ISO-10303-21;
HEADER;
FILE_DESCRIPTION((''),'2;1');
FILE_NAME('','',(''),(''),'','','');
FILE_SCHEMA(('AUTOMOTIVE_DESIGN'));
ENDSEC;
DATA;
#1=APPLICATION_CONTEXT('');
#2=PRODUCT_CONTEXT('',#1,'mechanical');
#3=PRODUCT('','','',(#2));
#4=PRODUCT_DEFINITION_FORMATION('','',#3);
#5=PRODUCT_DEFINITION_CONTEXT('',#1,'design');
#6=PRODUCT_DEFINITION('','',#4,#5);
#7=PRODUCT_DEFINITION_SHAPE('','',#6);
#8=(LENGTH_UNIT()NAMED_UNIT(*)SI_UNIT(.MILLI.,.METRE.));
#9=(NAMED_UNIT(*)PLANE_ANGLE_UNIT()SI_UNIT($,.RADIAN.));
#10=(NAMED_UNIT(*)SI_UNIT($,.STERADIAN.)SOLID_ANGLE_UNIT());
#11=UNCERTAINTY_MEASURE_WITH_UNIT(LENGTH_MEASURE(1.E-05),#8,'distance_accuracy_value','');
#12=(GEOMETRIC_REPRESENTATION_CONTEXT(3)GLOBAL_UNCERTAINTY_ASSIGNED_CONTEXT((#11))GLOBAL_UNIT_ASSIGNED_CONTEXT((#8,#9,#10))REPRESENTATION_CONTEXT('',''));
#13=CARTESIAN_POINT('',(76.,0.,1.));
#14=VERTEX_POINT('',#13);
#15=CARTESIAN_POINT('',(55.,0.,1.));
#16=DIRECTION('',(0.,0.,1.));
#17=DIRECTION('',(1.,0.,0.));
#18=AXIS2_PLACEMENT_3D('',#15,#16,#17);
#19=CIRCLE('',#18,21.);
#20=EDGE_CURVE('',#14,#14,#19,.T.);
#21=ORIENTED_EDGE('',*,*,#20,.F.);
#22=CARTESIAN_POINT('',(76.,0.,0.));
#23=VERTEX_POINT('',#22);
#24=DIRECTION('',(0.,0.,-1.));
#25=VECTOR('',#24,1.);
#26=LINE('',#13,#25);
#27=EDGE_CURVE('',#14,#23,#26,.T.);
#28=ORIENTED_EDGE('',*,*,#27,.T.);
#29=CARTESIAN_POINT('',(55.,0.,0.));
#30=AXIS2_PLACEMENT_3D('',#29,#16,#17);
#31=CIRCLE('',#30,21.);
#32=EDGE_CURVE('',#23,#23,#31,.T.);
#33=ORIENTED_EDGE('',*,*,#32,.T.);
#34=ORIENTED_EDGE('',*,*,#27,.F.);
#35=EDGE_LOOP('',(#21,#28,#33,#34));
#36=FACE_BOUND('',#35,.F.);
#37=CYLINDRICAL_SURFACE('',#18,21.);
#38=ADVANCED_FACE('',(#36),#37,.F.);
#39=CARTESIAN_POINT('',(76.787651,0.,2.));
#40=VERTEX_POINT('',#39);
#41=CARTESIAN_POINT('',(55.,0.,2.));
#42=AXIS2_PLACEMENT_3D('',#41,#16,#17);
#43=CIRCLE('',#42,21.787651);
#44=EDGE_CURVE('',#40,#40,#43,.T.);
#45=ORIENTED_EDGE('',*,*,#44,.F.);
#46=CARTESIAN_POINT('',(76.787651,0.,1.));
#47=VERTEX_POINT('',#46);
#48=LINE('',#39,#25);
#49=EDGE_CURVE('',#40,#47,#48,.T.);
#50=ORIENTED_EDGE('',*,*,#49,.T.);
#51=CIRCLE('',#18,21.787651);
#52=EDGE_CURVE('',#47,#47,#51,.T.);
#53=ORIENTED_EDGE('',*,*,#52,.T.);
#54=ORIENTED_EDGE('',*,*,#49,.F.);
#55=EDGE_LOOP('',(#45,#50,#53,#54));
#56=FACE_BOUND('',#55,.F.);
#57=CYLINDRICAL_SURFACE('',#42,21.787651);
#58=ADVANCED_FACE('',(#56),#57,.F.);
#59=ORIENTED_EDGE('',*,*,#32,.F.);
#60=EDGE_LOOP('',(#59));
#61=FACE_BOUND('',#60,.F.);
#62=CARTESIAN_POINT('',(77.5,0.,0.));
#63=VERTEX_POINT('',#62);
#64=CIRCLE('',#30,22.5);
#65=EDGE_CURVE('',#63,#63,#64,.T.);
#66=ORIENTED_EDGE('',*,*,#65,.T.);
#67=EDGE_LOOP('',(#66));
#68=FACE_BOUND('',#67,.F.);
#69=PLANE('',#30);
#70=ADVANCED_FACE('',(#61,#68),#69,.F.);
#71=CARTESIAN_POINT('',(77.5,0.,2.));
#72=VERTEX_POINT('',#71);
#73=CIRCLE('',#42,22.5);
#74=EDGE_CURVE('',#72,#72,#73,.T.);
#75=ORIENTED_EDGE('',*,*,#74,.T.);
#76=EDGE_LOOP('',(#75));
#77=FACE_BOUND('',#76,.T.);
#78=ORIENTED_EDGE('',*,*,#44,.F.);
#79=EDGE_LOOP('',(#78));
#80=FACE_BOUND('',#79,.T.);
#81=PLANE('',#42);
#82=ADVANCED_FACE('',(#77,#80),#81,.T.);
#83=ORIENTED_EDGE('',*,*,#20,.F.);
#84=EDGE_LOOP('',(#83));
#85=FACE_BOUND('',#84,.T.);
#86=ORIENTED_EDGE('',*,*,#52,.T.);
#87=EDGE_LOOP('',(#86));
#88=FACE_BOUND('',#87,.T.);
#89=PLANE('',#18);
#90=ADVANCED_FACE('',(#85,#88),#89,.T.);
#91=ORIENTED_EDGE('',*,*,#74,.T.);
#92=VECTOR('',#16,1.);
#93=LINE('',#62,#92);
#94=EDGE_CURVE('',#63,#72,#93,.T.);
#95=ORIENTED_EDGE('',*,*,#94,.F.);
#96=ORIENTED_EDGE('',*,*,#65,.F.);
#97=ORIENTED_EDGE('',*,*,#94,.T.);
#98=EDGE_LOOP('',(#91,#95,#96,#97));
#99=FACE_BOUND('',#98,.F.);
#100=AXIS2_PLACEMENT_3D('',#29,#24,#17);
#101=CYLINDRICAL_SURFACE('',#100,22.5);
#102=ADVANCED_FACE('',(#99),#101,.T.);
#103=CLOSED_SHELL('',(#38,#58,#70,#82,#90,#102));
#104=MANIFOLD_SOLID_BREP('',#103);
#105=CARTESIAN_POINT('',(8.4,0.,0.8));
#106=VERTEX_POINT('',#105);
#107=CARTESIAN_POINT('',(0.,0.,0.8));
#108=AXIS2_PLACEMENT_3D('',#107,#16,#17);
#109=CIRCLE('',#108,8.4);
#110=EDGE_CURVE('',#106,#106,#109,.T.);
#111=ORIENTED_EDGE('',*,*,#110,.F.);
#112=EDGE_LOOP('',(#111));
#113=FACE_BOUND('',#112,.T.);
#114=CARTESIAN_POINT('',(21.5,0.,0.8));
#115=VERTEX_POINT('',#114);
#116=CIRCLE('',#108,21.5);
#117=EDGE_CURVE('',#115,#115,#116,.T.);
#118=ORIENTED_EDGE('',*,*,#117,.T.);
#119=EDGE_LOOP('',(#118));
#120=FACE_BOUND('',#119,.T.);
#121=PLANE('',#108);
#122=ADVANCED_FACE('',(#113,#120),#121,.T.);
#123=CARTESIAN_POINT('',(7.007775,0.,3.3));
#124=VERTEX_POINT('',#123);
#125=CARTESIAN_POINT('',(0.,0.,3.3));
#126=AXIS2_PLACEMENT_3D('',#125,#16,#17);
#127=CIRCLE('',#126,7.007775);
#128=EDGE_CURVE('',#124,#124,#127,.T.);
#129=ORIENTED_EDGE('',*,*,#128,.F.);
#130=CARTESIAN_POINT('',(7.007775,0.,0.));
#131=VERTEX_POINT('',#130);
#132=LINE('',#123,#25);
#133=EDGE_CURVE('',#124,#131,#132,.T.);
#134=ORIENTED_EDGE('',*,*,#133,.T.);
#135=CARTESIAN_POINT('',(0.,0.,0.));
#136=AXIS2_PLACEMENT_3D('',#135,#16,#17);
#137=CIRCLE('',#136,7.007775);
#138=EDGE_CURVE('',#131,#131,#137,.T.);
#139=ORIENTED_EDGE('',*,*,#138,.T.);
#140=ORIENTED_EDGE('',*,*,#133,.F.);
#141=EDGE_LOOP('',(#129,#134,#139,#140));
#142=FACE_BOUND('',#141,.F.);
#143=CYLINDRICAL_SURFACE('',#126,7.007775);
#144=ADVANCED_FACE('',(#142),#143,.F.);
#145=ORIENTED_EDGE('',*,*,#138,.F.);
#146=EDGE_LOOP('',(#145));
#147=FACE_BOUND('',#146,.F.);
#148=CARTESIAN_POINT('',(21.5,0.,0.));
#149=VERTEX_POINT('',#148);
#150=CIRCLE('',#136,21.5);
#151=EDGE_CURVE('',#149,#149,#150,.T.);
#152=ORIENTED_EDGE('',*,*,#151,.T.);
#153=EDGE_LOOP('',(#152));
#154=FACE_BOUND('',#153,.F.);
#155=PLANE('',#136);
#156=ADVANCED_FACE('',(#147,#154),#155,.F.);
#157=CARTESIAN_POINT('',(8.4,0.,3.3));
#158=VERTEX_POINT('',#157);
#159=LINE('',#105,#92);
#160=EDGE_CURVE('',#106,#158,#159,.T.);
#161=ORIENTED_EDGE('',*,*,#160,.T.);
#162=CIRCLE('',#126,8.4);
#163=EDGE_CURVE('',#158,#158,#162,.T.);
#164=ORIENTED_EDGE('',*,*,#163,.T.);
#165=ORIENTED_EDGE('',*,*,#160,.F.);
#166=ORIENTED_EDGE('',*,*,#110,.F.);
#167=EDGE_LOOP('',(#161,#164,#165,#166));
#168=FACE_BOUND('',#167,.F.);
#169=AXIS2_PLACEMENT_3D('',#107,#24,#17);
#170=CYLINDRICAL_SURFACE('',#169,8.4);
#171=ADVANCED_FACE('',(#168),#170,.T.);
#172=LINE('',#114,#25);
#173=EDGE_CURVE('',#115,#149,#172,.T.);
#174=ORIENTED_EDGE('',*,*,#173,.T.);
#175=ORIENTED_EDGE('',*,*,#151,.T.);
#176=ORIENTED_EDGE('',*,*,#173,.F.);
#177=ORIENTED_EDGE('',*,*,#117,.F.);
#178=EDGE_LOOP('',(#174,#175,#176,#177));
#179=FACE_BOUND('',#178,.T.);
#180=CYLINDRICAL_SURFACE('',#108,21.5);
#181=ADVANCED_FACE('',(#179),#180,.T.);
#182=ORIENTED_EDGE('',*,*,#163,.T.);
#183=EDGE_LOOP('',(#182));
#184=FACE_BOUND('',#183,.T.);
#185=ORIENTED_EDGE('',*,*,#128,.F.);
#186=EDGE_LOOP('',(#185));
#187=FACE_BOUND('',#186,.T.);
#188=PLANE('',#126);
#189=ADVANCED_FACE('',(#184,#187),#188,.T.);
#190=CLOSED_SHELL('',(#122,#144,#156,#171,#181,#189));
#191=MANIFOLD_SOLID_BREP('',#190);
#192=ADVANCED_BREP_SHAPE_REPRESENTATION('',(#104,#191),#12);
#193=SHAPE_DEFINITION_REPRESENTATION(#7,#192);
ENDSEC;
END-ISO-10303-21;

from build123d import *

# Parameters (mm, degrees)
SKETCH_R        = 24.3
PAD_DEPTH       = 0.8
SKETCH001_R     = 8.4
PAD001_DEPTH    = 2.5
SKETCH002_R     = 7.007775
POCKET_DEPTH    = 3.301
SKETCH003_R     = 31.153202
SKETCH003_R_2   = 21.5
POCKET001_DEPTH = 5
SKETCH004_R     = 22.5
PAD002_DEPTH    = 2
SKETCH005_R     = 21.787651
POCKET002_DEPTH = 1
SKETCH006_R     = 21
POCKET003_DEPTH = 5


with BuildPart() as body:
    # Sketch → Pad (new body)
    with BuildSketch(Plane.XY):
        Circle(SKETCH_R)
    extrude(amount=PAD_DEPTH)

    # Sketch001 (on Face3 of Pad) → Pad001 (join)
    with BuildSketch(Plane.XY.offset(0.8)):
        Circle(SKETCH001_R)
    extrude(amount=PAD001_DEPTH)

    # Sketch002 (on Face5 of Pad001) → Pocket (cut, through all)
    with BuildSketch(Plane.XY.offset(3.3)):
        Circle(SKETCH002_R)
    extrude(amount=-POCKET_DEPTH, mode=Mode.SUBTRACT)

    # Sketch003 (on Face3 of Pocket) → Pocket001 (cut)
    with BuildSketch(Plane.XY.offset(0.8)):
        Circle(SKETCH003_R)
        Circle(SKETCH003_R_2, mode=Mode.SUBTRACT)
    extrude(amount=-POCKET001_DEPTH, mode=Mode.SUBTRACT)


with BuildPart() as body001:
    # Sketch004 → Pad002 (new body)
    with BuildSketch(Plane.XY):
        with Locations((55, 0)):
            Circle(SKETCH004_R)
    extrude(amount=PAD002_DEPTH)

    # Sketch005 (on Face3 of Pad002) → Pocket002 (cut)
    with BuildSketch(Plane.XY.offset(2)):
        with Locations((55, 0)):
            Circle(SKETCH005_R)
    extrude(amount=-POCKET002_DEPTH, mode=Mode.SUBTRACT)

    # Sketch006 (on Face5 of Pocket002) → Pocket003 (cut)
    with BuildSketch(Plane.XY.offset(1)):
        with Locations((55, 0)):
            Circle(SKETCH006_R)
    extrude(amount=-POCKET003_DEPTH, mode=Mode.SUBTRACT)


solid = Compound([body.part, body001.part])
